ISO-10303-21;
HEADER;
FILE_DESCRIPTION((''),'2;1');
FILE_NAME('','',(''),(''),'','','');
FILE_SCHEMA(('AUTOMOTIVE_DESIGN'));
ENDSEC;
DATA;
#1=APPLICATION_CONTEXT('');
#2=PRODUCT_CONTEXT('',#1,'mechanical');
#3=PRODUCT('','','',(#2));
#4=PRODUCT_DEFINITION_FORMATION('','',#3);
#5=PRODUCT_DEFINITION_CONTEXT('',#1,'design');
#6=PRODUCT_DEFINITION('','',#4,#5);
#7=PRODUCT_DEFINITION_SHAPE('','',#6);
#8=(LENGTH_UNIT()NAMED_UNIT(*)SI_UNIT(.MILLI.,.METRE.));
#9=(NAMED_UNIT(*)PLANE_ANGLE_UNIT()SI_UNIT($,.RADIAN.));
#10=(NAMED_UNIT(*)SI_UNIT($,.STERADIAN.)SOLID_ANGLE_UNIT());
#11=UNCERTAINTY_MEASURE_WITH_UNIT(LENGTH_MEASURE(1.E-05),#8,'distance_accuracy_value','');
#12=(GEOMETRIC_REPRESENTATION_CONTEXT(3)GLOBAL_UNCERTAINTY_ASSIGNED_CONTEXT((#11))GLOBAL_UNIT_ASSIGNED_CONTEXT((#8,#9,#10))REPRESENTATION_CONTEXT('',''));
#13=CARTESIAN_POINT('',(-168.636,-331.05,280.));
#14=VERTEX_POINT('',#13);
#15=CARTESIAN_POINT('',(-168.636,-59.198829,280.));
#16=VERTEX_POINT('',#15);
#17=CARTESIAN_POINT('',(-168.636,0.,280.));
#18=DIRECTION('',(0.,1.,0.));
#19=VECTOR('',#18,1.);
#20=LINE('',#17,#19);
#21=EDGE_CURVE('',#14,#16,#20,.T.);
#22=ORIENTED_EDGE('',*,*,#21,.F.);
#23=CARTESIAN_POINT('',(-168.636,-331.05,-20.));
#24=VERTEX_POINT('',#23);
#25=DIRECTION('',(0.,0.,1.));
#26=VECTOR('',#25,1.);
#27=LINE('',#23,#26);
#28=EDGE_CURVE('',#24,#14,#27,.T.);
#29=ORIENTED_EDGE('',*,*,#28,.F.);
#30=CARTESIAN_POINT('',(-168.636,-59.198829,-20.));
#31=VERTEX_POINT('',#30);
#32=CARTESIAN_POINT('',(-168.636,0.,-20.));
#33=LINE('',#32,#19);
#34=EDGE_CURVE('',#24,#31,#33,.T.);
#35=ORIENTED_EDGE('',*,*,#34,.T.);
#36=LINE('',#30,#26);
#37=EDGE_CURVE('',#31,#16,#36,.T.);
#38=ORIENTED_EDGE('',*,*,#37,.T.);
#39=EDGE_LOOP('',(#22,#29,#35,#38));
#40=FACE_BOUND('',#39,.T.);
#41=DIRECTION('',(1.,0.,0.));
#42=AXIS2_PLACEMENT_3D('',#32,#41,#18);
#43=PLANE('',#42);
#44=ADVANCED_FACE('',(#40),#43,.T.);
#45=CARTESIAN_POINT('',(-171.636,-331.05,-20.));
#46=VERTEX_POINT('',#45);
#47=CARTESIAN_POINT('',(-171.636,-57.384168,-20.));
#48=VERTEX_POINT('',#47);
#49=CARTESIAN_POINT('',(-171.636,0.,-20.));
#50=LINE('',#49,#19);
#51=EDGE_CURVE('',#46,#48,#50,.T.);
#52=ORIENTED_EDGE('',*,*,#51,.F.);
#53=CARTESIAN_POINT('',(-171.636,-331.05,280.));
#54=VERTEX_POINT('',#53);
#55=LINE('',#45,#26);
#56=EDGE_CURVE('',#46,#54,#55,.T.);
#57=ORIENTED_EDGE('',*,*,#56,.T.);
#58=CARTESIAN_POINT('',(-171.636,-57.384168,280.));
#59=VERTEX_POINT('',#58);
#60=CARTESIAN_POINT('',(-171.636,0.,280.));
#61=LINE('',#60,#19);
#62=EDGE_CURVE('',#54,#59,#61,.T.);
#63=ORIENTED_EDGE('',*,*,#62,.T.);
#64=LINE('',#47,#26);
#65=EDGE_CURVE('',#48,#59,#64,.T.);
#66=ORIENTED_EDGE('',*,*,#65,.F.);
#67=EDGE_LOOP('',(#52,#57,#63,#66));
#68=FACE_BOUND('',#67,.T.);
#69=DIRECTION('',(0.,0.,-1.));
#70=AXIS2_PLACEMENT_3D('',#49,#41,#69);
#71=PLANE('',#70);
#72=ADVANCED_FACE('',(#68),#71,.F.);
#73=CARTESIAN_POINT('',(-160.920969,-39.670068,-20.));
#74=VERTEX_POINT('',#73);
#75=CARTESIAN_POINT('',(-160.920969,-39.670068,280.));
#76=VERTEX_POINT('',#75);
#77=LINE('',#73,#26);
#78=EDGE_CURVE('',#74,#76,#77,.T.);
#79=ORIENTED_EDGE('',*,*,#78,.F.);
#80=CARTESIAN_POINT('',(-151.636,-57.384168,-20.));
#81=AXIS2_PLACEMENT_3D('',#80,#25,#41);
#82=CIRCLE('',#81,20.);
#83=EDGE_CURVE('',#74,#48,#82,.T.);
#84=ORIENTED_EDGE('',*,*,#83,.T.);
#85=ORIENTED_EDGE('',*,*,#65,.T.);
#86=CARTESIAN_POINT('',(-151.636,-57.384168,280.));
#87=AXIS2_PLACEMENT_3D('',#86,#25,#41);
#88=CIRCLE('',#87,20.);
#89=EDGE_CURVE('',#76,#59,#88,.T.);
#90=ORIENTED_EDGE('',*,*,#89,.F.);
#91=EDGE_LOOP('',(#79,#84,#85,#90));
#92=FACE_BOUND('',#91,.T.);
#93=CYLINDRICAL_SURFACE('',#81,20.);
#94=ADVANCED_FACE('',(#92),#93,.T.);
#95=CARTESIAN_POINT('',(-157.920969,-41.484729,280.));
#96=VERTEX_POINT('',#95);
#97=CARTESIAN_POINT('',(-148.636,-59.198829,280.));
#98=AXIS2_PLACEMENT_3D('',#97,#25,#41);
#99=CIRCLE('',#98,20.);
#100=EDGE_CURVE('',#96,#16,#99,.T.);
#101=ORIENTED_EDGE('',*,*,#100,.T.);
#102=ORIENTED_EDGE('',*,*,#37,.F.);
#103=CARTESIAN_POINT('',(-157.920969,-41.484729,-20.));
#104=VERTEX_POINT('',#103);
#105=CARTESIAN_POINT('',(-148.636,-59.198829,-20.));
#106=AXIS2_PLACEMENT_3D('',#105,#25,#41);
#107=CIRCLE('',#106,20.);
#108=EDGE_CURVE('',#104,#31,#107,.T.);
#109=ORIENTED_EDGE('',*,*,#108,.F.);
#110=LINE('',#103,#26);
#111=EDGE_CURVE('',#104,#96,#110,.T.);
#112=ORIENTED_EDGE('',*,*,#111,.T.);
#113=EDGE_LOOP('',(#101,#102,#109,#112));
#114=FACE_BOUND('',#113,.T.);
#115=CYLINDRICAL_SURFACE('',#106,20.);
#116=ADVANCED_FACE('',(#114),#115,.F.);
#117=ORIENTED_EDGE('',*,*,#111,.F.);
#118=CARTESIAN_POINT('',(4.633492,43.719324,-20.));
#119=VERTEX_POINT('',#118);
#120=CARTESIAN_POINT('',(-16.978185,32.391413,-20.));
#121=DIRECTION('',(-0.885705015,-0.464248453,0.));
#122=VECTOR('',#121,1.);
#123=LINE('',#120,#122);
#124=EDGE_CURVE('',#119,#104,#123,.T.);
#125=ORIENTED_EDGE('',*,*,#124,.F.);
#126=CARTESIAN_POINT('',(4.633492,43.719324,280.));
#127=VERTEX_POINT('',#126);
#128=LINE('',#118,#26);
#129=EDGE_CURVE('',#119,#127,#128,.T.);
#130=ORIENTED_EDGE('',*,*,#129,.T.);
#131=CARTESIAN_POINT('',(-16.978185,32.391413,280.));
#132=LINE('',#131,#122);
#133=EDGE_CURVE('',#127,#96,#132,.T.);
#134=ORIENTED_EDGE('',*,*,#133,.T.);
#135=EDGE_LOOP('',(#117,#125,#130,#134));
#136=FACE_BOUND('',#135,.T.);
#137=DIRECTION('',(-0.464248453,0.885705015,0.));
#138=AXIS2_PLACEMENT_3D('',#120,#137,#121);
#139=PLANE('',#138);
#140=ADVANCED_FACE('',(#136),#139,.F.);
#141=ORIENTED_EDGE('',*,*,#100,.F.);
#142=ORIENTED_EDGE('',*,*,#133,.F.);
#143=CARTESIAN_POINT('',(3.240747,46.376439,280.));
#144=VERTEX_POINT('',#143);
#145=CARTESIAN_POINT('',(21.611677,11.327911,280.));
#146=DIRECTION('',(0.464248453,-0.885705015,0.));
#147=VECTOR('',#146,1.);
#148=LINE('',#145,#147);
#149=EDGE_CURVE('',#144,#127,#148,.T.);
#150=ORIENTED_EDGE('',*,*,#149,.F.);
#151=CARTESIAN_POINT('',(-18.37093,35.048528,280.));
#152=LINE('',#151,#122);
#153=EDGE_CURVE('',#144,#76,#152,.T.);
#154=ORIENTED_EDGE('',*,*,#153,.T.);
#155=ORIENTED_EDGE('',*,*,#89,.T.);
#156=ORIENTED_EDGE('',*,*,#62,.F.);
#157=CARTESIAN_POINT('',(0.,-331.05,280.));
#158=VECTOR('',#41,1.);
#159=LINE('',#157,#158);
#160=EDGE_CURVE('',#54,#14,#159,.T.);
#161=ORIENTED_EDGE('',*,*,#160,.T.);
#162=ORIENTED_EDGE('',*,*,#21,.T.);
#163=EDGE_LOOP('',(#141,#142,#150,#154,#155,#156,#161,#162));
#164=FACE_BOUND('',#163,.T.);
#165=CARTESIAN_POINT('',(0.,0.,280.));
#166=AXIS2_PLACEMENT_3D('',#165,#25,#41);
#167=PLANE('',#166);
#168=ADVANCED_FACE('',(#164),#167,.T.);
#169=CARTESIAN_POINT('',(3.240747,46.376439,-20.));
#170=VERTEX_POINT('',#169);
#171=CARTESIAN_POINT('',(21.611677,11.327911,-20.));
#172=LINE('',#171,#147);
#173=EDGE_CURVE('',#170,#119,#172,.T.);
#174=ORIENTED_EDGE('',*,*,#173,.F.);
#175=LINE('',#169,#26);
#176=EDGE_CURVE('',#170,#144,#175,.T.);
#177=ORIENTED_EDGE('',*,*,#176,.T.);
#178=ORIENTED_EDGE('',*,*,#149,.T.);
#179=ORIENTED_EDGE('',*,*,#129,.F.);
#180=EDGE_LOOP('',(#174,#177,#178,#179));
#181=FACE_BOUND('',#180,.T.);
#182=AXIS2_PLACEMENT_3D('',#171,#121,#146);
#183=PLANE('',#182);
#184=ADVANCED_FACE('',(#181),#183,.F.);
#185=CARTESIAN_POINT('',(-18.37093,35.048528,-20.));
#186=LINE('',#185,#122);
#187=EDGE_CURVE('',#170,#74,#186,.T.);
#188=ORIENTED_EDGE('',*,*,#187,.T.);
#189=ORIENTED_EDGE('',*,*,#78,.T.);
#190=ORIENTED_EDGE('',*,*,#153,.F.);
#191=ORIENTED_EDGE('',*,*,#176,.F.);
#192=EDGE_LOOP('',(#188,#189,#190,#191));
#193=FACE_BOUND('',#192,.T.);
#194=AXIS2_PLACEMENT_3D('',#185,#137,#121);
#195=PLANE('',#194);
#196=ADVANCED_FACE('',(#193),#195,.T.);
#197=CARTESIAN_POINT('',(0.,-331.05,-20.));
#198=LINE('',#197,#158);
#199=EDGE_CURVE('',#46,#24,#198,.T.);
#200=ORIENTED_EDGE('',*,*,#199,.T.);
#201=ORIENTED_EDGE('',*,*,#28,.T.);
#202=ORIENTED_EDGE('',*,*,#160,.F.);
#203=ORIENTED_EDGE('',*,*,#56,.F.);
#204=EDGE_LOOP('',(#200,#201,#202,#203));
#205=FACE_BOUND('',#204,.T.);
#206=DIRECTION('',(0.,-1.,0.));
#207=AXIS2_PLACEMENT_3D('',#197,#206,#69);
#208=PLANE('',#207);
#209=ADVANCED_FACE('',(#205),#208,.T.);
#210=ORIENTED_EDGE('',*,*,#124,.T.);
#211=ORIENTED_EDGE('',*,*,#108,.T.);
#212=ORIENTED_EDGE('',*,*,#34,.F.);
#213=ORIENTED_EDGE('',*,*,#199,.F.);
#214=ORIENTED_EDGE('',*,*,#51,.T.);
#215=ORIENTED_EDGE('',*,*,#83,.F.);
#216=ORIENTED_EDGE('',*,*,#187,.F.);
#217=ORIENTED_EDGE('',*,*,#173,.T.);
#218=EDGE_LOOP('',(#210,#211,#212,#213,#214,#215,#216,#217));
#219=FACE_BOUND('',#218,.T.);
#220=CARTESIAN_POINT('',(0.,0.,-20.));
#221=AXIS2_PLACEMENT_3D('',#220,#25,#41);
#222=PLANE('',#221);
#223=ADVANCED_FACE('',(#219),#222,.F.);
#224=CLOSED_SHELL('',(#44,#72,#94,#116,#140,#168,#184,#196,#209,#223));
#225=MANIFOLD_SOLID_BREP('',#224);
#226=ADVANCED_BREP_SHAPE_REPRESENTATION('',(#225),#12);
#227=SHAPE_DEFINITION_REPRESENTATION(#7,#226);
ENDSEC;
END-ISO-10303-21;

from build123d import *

# Parameters (mm, degrees)
BOSS_EXTRUDE1_DEPTH      = 280
BOSS_EXTRUDE1_DEPTH_BACK = 20


with BuildPart() as part:
    # Sketch1 → Boss-Extrude1 (new, two sides: drawn at the far end of the back side and taken through both)
    with BuildSketch(Plane.XY.offset(-BOSS_EXTRUDE1_DEPTH_BACK)):
        with BuildLine():
            Line((-170.37773053, -331.05), (-168.636, -331.05))
            Line((-168.636, -331.05), (-168.636, -59.198829312))
            ThreePointArc((-168.636, -59.198829312), (-165.748851618, -48.847485946), (-157.920969051, -41.484729004))
            Line((-157.920969051, -41.484729004), (-156.629100836, -40.807587282))
            Line((-156.629100836, -40.807587282), (-21.840950481, 29.842560493))
            Line((-21.840950481, 29.842560493), (4.633492495, 43.719324167))
            Line((4.633492495, 43.719324167), (3.240747138, 46.376439213))
            Line((3.240747138, 46.376439213), (-160.920969051, -39.670067673))
            ThreePointArc((-160.920969051, -39.670067673), (-168.748851618, -47.032824615), (-171.636, -57.384167981))
            Line((-171.636, -57.384167981), (-171.636, -331.05))
            Line((-171.636, -331.05), (-170.37773053, -331.05))
        make_face()
    extrude(amount=BOSS_EXTRUDE1_DEPTH + BOSS_EXTRUDE1_DEPTH_BACK)


solid = part.part
